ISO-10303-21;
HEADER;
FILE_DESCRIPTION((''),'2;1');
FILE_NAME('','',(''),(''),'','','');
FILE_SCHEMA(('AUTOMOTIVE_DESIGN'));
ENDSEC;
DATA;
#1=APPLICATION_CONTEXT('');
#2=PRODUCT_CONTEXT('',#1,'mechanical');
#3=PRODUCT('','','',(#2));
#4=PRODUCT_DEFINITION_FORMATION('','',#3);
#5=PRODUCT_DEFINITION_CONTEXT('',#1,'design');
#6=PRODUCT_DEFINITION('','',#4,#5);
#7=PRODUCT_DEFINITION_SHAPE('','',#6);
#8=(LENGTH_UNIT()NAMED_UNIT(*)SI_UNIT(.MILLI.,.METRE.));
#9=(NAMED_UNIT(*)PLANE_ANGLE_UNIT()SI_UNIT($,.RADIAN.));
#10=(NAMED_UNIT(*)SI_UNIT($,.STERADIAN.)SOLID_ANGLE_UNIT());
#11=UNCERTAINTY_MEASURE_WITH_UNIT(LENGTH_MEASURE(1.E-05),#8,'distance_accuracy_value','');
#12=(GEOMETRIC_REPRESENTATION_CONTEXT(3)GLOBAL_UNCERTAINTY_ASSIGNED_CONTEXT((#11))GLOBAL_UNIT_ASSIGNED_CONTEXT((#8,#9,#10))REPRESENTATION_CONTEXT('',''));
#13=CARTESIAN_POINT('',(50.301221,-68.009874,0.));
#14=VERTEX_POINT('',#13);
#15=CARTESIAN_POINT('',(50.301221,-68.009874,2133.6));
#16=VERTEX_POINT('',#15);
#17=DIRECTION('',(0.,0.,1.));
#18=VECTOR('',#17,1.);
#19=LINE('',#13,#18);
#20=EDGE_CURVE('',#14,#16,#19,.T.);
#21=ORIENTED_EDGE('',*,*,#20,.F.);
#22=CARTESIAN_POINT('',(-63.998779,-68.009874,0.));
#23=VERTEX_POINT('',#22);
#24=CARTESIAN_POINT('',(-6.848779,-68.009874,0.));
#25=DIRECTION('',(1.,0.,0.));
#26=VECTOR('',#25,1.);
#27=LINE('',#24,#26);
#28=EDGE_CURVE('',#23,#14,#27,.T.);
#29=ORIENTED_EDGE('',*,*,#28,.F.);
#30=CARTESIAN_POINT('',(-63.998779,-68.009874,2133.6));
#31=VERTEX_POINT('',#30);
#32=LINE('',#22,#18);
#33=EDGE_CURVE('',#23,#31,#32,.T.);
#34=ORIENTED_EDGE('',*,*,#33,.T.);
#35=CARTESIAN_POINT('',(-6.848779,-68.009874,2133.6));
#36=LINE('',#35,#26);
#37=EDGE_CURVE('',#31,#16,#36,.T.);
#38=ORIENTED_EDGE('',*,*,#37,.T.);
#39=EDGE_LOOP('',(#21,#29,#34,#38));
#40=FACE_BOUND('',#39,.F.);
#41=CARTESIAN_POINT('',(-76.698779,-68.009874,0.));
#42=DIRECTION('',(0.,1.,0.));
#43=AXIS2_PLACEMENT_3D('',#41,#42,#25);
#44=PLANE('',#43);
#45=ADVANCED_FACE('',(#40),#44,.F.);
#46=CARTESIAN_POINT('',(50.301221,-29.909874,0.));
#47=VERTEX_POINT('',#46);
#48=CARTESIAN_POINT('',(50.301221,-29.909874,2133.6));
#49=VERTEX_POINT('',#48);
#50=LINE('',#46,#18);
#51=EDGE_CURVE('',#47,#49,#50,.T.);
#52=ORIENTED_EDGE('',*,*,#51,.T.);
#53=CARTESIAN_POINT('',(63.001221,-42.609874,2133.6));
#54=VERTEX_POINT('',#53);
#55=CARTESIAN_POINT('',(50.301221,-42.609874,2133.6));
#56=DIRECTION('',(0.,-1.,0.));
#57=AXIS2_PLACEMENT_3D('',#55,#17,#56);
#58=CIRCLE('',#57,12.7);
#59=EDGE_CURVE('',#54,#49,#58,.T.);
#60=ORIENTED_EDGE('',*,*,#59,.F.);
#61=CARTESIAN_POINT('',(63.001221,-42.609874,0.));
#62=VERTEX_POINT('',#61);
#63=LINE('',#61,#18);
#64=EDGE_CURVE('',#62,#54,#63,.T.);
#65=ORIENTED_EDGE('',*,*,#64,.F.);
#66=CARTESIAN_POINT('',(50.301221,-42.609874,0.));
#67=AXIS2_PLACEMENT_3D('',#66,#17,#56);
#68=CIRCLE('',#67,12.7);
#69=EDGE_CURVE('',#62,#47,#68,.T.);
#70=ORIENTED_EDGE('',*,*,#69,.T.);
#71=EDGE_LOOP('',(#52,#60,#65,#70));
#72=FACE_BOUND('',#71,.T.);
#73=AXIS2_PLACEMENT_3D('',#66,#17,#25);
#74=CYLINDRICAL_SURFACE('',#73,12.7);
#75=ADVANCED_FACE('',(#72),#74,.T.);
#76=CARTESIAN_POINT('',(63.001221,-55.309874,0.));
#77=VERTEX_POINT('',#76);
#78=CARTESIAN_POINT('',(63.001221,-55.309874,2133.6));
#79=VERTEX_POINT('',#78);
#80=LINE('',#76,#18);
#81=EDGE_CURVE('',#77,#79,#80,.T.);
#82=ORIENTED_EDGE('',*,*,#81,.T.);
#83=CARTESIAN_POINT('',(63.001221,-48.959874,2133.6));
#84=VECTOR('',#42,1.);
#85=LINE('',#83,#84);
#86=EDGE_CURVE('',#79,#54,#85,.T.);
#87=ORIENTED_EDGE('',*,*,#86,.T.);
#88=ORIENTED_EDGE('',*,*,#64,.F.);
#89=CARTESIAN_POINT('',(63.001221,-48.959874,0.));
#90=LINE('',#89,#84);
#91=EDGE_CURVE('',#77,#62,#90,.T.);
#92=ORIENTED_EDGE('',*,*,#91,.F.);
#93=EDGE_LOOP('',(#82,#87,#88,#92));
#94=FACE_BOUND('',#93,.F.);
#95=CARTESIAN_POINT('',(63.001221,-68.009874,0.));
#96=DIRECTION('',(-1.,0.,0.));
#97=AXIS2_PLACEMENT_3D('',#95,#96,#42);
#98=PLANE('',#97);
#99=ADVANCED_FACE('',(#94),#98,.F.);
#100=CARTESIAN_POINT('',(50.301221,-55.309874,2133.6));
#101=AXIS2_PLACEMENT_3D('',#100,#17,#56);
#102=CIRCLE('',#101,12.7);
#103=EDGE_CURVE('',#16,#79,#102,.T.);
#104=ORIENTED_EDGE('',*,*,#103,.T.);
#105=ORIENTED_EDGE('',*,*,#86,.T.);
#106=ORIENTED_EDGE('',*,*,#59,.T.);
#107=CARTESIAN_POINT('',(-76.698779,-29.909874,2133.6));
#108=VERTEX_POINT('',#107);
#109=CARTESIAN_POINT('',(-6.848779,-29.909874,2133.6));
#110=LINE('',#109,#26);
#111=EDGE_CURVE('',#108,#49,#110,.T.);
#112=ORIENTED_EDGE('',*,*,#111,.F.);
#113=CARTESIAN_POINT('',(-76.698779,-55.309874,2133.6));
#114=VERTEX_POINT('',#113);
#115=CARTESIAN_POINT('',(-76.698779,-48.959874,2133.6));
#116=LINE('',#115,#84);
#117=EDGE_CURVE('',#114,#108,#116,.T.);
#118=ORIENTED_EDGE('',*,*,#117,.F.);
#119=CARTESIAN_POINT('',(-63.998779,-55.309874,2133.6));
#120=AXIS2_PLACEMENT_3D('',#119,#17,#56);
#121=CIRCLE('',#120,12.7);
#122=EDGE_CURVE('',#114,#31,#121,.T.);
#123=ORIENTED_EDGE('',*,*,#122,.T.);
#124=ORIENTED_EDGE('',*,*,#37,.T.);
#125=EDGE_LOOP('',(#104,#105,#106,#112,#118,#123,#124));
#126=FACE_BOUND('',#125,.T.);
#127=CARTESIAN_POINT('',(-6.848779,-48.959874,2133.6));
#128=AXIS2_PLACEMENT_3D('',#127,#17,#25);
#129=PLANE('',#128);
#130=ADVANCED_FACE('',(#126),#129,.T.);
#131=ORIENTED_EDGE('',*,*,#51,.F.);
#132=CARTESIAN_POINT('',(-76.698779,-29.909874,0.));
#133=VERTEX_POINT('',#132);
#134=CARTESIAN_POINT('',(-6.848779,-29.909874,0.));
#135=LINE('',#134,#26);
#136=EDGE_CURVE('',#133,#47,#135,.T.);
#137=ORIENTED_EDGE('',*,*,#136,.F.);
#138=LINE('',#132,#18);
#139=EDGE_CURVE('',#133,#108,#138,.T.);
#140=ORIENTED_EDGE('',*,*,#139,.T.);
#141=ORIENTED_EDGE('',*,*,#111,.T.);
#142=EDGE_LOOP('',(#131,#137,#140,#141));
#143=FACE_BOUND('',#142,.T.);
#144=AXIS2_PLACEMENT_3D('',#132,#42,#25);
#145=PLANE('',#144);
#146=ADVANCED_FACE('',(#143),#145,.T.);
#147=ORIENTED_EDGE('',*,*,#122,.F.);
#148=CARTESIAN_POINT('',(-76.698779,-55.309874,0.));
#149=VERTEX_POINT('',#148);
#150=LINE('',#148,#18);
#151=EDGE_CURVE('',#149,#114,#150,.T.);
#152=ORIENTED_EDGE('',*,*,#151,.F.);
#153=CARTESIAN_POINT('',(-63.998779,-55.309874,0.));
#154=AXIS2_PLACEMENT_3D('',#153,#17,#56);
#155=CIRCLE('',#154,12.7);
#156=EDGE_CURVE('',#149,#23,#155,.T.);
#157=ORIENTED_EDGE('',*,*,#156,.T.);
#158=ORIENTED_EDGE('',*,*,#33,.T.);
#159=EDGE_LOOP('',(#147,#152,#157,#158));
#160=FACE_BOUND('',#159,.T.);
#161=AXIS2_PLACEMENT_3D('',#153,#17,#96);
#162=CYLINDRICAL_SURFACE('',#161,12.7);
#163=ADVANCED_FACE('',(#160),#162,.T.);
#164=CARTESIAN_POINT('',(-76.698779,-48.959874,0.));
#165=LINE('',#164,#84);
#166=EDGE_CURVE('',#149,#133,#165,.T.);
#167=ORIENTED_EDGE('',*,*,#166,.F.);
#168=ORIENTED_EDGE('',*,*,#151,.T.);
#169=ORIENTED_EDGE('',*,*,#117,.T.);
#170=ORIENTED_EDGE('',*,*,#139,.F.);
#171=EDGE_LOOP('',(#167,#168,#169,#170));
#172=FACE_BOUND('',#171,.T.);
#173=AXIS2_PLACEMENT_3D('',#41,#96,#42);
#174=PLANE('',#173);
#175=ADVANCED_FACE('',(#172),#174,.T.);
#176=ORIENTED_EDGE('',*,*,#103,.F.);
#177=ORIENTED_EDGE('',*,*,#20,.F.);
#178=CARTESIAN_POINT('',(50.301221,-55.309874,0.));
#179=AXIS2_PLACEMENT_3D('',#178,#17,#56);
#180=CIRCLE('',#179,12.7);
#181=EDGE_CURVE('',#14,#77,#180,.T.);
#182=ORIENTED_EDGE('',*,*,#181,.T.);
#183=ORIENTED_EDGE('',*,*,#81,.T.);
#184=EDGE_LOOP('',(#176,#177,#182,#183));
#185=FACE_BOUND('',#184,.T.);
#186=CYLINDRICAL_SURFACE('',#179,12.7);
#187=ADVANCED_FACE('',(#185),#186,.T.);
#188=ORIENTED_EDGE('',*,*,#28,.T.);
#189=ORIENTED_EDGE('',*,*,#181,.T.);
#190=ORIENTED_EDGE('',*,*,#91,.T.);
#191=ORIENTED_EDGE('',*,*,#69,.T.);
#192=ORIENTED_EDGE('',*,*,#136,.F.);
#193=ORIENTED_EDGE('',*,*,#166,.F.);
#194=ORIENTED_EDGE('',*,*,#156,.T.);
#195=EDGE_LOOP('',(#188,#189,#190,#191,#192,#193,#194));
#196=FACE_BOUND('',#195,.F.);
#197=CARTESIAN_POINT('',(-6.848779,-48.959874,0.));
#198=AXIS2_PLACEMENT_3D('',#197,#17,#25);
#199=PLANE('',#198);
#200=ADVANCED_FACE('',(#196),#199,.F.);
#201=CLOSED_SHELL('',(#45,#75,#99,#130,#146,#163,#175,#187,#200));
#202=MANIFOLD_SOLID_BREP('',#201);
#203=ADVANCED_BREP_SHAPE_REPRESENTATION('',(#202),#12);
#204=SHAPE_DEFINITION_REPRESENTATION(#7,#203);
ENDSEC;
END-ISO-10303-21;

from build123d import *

# Parameters (mm, degrees)
F0_W     = 139.7
F0_H     = 38.1
F1_DEPTH = 2133.6
F2_R     = 12.7
F3_R     = 12.7
F4_R     = 12.7


with BuildPart() as f1:
    # F0 (on Top) → F1 (new body)
    with BuildSketch(Plane.XY):
        with Locations((-6.848779, -48.959874)):
            Rectangle(F0_W, F0_H)
    extrude(amount=F1_DEPTH)

    # F2
    f2_edges = [f1.edges().sort_by_distance(p)[0] for p in [
        (-76.698779, -68.009874, 1066.8),
    ]]
    fillet(f2_edges, radius=F2_R)

    # F3
    f3_edges = [f1.edges().sort_by_distance(p)[0] for p in [
        (63.001221, -68.009874, 1066.8),
    ]]
    fillet(f3_edges, radius=F3_R)

    # F4
    f4_edges = [f1.edges().sort_by_distance(p)[0] for p in [
        (63.001221, -29.909874, 1066.8),
    ]]
    fillet(f4_edges, radius=F4_R)


solid = f1.part
